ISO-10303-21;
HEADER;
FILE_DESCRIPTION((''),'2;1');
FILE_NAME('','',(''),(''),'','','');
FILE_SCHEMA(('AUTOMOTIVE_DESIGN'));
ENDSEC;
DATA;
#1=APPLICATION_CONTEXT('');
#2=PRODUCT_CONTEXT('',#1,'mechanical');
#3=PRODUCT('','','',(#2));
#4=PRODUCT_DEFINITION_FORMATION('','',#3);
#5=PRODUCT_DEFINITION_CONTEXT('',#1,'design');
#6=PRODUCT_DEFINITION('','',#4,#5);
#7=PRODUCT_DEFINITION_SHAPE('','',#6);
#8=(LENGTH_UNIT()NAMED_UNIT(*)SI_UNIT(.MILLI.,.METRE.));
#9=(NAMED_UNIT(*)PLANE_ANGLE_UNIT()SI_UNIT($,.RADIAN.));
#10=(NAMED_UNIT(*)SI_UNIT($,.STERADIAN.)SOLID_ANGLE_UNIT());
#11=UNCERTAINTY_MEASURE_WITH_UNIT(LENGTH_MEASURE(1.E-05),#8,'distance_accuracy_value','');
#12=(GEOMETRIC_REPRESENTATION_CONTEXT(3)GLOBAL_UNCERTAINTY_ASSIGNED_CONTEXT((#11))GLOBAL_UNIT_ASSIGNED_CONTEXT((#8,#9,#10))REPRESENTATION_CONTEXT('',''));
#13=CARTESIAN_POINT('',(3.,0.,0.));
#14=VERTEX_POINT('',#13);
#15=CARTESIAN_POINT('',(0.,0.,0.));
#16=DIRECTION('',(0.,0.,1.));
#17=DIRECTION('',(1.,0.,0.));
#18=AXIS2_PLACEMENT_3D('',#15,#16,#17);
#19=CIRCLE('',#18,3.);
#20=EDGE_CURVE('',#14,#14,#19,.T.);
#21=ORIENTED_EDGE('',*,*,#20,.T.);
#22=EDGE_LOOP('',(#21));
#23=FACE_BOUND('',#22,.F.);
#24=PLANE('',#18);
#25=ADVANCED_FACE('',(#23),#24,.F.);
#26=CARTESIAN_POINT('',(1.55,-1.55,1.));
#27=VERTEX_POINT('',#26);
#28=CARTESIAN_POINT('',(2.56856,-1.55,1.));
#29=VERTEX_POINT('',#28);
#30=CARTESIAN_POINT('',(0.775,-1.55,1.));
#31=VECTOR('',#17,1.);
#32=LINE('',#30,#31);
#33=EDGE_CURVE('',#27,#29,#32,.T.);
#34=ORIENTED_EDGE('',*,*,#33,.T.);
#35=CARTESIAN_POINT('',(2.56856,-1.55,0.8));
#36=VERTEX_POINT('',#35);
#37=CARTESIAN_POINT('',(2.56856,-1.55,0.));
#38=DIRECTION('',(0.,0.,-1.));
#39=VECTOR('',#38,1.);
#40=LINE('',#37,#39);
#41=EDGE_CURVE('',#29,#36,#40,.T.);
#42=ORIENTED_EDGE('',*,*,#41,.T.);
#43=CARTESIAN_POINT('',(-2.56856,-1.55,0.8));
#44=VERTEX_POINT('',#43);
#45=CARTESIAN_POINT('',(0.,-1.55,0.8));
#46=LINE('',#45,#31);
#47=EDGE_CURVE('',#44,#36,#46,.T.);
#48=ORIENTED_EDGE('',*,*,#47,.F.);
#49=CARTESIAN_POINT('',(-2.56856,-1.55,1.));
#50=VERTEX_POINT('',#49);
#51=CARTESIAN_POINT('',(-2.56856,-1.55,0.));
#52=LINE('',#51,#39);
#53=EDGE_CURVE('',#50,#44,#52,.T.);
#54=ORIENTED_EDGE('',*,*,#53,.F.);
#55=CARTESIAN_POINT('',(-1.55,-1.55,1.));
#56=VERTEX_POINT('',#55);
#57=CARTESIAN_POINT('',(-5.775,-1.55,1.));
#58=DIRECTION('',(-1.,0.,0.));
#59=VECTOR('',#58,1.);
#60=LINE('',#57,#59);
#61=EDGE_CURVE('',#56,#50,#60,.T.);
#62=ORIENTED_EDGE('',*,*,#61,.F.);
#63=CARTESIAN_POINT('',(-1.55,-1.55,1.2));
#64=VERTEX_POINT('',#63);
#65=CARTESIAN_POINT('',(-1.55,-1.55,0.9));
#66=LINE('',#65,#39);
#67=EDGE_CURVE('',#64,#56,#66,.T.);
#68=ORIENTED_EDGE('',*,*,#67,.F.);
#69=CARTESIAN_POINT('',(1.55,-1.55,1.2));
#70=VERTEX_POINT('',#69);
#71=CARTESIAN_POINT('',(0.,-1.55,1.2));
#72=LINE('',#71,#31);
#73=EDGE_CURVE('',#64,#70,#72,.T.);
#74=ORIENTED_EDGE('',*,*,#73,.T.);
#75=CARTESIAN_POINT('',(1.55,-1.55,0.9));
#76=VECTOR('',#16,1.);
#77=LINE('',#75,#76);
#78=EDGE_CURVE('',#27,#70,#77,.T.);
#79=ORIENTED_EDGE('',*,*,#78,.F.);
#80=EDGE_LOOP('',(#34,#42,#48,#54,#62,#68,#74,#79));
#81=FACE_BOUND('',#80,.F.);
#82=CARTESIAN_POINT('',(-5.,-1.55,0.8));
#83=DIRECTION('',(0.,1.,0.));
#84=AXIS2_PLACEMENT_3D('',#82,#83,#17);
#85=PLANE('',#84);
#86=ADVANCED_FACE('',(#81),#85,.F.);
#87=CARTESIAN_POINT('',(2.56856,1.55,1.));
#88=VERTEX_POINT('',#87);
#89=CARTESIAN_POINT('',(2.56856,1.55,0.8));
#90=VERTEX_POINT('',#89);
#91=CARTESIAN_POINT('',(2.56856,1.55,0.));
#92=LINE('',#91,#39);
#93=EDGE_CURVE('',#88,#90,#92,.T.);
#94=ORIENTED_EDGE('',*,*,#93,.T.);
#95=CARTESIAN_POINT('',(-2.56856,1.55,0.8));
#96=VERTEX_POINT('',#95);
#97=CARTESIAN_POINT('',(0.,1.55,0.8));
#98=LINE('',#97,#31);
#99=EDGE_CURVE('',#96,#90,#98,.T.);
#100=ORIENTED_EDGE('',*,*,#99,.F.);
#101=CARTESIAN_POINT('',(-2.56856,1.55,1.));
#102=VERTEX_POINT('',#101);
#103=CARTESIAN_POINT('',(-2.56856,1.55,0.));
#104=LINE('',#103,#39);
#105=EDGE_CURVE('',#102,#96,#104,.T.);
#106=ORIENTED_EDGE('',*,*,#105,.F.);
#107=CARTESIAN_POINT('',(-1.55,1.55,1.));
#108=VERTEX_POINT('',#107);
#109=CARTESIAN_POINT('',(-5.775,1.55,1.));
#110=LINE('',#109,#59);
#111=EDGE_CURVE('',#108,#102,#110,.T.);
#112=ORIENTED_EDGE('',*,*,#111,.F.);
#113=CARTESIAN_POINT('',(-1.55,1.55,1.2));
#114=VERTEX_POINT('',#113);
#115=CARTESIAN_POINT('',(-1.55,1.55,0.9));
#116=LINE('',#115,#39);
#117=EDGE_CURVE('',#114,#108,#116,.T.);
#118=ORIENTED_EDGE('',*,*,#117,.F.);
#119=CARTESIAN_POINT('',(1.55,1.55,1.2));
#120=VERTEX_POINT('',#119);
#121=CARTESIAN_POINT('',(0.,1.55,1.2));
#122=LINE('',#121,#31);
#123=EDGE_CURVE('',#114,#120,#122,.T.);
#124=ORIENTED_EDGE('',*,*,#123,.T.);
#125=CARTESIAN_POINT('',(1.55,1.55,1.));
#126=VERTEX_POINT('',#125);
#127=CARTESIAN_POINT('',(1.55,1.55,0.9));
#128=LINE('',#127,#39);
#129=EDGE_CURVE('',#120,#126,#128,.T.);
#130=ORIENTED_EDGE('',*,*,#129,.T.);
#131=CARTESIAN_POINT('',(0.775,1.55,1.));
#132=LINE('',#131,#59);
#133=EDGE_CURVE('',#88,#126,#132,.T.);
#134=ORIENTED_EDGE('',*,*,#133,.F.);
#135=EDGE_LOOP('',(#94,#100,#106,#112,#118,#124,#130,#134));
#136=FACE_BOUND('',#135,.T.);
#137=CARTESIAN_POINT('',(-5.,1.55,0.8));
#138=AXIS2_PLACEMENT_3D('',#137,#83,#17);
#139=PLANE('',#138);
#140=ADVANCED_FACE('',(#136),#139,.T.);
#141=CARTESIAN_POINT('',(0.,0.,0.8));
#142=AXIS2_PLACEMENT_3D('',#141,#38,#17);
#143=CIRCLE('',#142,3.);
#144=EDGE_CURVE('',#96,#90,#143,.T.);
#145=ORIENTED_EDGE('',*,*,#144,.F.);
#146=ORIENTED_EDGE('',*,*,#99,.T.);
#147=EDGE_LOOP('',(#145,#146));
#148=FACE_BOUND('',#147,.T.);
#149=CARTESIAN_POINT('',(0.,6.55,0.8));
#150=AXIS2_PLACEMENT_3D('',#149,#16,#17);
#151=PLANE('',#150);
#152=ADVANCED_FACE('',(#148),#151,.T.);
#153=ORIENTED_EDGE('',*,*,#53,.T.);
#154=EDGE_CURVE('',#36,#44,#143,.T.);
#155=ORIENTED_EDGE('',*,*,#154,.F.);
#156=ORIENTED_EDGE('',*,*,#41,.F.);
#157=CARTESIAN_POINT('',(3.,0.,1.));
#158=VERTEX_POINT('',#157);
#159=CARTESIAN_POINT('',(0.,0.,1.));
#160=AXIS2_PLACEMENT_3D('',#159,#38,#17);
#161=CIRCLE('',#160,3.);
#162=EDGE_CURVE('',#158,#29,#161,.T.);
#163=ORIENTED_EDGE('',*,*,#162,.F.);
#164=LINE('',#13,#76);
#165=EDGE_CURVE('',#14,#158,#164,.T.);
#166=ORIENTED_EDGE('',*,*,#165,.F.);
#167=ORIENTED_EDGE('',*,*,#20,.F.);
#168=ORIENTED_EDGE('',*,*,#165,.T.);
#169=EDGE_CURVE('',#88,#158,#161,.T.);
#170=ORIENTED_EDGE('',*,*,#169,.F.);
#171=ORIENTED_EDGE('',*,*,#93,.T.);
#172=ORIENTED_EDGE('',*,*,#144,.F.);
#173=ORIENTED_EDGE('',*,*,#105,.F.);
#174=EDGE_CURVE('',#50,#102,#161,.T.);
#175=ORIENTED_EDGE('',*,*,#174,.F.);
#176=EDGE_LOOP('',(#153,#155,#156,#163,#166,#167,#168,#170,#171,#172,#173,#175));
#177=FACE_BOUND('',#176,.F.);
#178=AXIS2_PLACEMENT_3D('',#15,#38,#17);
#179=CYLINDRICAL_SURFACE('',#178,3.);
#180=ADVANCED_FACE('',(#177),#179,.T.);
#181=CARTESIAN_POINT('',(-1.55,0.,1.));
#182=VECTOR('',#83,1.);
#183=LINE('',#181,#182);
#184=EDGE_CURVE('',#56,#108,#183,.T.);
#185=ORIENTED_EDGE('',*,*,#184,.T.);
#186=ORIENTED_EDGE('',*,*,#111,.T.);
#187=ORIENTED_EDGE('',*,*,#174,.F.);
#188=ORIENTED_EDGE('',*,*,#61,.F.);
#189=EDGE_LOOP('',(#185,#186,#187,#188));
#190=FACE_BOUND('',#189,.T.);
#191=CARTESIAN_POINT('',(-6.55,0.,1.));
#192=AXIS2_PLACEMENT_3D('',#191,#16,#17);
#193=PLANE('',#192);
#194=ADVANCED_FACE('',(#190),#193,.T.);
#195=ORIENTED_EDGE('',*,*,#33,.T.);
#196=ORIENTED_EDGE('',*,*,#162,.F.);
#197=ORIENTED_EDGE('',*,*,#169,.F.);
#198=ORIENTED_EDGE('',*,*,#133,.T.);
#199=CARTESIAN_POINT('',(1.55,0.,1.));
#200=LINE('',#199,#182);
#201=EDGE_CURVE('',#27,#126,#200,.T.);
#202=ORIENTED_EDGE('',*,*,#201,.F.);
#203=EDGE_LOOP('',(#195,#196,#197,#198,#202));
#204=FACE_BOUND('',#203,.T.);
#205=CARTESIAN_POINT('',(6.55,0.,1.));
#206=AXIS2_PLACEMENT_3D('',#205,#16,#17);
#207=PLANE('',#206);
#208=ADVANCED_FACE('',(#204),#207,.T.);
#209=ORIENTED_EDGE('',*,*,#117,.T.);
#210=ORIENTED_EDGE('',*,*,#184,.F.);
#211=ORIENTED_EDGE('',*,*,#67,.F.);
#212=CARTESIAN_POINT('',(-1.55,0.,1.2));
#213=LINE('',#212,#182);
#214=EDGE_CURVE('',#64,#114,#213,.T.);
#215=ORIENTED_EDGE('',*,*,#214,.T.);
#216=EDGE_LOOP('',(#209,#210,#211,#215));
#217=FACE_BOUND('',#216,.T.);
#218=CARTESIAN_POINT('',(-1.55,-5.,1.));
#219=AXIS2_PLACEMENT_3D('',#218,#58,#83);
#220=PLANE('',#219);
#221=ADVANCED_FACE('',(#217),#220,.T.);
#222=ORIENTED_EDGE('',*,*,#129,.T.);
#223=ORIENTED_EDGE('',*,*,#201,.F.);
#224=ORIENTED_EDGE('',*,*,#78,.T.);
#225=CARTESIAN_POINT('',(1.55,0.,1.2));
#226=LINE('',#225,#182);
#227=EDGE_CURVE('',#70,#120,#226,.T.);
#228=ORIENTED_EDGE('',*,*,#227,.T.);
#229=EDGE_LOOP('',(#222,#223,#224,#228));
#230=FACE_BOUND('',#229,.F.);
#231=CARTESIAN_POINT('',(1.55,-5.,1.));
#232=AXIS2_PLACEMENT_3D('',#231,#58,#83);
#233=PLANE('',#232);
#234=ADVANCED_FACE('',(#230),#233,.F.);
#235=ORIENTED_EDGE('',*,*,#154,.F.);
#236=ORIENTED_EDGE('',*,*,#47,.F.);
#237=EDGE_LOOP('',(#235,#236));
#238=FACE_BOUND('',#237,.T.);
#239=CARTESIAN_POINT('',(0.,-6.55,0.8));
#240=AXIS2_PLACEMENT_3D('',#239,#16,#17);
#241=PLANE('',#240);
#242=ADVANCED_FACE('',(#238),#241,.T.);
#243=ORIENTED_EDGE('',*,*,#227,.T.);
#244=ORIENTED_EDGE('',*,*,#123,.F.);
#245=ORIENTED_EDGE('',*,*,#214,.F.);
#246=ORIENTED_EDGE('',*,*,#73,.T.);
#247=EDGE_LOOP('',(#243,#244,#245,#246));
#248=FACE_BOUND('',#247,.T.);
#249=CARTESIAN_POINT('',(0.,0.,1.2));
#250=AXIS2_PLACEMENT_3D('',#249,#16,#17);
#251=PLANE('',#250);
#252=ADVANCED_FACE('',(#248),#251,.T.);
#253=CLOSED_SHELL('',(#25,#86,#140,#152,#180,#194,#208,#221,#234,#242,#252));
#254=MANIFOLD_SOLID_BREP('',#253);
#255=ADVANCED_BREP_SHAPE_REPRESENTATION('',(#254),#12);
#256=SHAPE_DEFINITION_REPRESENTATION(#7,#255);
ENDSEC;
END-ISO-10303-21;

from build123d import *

# Parameters (mm, degrees)
BOX018_W       = 10
BOX018_H       = 10
BOX018_DEPTH   = 0.4
BOX015_W       = 10
BOX015_H       = 10
BOX015_DEPTH   = 0.2
BOX017_W       = 10
BOX017_H       = 10
BOX017_DEPTH   = 0.4
BOX016_W       = 10
BOX016_H       = 10
BOX016_DEPTH   = 0.2
CYLINDER_R     = 3
CYLINDER_DEPTH = 1.2


with BuildPart() as cube018:
    # Box018 → Box018 (new body)
    with BuildSketch(Plane(origin=(-5, -11.55, 0), x_dir=(1, 0, 0), z_dir=(0, 0, 1))):
        with Locations((5, 5)):
            Rectangle(BOX018_W, BOX018_H)
    extrude(amount=BOX018_DEPTH)


with BuildPart() as cube015:
    # Box015 → Box015 (new body)
    with BuildSketch(Plane(origin=(1.55, -5, 0.2), x_dir=(1, 0, 0), z_dir=(0, 0, 1))):
        with Locations((5, 5)):
            Rectangle(BOX015_W, BOX015_H)
    extrude(amount=BOX015_DEPTH)


with BuildPart() as cube017:
    # Box017 → Box017 (new body)
    with BuildSketch(Plane(origin=(-5, 1.55, 0), x_dir=(1, 0, 0), z_dir=(0, 0, 1))):
        with Locations((5, 5)):
            Rectangle(BOX017_W, BOX017_H)
    extrude(amount=BOX017_DEPTH)


with BuildPart() as fusion018:
    # Box016 → Box016 (new body)
    with BuildSketch(Plane(origin=(-11.55, -5, 0.2), x_dir=(1, 0, 0), z_dir=(0, 0, 1))):
        with Locations((5, 5)):
            Rectangle(BOX016_W, BOX016_H)
    extrude(amount=BOX016_DEPTH)

    # Fusion018: union Cube018, Cube015, Cube017
    add(cube018.part)
    add(cube015.part)
    add(cube017.part)


with BuildPart() as fusion018_1:
    # Fusion018 placement: moved
    add(fusion018.part.moved(Location((0, 0, 0.8))))


with BuildPart() as screw_rotate_locker_m3:
    # Cylinder → Cylinder (new body)
    with BuildSketch(Plane.XY):
        Circle(CYLINDER_R)
    extrude(amount=CYLINDER_DEPTH)

    # Cut017021011: cut Fusion018
    add(fusion018_1.part, mode=Mode.SUBTRACT)


solid = screw_rotate_locker_m3.part
